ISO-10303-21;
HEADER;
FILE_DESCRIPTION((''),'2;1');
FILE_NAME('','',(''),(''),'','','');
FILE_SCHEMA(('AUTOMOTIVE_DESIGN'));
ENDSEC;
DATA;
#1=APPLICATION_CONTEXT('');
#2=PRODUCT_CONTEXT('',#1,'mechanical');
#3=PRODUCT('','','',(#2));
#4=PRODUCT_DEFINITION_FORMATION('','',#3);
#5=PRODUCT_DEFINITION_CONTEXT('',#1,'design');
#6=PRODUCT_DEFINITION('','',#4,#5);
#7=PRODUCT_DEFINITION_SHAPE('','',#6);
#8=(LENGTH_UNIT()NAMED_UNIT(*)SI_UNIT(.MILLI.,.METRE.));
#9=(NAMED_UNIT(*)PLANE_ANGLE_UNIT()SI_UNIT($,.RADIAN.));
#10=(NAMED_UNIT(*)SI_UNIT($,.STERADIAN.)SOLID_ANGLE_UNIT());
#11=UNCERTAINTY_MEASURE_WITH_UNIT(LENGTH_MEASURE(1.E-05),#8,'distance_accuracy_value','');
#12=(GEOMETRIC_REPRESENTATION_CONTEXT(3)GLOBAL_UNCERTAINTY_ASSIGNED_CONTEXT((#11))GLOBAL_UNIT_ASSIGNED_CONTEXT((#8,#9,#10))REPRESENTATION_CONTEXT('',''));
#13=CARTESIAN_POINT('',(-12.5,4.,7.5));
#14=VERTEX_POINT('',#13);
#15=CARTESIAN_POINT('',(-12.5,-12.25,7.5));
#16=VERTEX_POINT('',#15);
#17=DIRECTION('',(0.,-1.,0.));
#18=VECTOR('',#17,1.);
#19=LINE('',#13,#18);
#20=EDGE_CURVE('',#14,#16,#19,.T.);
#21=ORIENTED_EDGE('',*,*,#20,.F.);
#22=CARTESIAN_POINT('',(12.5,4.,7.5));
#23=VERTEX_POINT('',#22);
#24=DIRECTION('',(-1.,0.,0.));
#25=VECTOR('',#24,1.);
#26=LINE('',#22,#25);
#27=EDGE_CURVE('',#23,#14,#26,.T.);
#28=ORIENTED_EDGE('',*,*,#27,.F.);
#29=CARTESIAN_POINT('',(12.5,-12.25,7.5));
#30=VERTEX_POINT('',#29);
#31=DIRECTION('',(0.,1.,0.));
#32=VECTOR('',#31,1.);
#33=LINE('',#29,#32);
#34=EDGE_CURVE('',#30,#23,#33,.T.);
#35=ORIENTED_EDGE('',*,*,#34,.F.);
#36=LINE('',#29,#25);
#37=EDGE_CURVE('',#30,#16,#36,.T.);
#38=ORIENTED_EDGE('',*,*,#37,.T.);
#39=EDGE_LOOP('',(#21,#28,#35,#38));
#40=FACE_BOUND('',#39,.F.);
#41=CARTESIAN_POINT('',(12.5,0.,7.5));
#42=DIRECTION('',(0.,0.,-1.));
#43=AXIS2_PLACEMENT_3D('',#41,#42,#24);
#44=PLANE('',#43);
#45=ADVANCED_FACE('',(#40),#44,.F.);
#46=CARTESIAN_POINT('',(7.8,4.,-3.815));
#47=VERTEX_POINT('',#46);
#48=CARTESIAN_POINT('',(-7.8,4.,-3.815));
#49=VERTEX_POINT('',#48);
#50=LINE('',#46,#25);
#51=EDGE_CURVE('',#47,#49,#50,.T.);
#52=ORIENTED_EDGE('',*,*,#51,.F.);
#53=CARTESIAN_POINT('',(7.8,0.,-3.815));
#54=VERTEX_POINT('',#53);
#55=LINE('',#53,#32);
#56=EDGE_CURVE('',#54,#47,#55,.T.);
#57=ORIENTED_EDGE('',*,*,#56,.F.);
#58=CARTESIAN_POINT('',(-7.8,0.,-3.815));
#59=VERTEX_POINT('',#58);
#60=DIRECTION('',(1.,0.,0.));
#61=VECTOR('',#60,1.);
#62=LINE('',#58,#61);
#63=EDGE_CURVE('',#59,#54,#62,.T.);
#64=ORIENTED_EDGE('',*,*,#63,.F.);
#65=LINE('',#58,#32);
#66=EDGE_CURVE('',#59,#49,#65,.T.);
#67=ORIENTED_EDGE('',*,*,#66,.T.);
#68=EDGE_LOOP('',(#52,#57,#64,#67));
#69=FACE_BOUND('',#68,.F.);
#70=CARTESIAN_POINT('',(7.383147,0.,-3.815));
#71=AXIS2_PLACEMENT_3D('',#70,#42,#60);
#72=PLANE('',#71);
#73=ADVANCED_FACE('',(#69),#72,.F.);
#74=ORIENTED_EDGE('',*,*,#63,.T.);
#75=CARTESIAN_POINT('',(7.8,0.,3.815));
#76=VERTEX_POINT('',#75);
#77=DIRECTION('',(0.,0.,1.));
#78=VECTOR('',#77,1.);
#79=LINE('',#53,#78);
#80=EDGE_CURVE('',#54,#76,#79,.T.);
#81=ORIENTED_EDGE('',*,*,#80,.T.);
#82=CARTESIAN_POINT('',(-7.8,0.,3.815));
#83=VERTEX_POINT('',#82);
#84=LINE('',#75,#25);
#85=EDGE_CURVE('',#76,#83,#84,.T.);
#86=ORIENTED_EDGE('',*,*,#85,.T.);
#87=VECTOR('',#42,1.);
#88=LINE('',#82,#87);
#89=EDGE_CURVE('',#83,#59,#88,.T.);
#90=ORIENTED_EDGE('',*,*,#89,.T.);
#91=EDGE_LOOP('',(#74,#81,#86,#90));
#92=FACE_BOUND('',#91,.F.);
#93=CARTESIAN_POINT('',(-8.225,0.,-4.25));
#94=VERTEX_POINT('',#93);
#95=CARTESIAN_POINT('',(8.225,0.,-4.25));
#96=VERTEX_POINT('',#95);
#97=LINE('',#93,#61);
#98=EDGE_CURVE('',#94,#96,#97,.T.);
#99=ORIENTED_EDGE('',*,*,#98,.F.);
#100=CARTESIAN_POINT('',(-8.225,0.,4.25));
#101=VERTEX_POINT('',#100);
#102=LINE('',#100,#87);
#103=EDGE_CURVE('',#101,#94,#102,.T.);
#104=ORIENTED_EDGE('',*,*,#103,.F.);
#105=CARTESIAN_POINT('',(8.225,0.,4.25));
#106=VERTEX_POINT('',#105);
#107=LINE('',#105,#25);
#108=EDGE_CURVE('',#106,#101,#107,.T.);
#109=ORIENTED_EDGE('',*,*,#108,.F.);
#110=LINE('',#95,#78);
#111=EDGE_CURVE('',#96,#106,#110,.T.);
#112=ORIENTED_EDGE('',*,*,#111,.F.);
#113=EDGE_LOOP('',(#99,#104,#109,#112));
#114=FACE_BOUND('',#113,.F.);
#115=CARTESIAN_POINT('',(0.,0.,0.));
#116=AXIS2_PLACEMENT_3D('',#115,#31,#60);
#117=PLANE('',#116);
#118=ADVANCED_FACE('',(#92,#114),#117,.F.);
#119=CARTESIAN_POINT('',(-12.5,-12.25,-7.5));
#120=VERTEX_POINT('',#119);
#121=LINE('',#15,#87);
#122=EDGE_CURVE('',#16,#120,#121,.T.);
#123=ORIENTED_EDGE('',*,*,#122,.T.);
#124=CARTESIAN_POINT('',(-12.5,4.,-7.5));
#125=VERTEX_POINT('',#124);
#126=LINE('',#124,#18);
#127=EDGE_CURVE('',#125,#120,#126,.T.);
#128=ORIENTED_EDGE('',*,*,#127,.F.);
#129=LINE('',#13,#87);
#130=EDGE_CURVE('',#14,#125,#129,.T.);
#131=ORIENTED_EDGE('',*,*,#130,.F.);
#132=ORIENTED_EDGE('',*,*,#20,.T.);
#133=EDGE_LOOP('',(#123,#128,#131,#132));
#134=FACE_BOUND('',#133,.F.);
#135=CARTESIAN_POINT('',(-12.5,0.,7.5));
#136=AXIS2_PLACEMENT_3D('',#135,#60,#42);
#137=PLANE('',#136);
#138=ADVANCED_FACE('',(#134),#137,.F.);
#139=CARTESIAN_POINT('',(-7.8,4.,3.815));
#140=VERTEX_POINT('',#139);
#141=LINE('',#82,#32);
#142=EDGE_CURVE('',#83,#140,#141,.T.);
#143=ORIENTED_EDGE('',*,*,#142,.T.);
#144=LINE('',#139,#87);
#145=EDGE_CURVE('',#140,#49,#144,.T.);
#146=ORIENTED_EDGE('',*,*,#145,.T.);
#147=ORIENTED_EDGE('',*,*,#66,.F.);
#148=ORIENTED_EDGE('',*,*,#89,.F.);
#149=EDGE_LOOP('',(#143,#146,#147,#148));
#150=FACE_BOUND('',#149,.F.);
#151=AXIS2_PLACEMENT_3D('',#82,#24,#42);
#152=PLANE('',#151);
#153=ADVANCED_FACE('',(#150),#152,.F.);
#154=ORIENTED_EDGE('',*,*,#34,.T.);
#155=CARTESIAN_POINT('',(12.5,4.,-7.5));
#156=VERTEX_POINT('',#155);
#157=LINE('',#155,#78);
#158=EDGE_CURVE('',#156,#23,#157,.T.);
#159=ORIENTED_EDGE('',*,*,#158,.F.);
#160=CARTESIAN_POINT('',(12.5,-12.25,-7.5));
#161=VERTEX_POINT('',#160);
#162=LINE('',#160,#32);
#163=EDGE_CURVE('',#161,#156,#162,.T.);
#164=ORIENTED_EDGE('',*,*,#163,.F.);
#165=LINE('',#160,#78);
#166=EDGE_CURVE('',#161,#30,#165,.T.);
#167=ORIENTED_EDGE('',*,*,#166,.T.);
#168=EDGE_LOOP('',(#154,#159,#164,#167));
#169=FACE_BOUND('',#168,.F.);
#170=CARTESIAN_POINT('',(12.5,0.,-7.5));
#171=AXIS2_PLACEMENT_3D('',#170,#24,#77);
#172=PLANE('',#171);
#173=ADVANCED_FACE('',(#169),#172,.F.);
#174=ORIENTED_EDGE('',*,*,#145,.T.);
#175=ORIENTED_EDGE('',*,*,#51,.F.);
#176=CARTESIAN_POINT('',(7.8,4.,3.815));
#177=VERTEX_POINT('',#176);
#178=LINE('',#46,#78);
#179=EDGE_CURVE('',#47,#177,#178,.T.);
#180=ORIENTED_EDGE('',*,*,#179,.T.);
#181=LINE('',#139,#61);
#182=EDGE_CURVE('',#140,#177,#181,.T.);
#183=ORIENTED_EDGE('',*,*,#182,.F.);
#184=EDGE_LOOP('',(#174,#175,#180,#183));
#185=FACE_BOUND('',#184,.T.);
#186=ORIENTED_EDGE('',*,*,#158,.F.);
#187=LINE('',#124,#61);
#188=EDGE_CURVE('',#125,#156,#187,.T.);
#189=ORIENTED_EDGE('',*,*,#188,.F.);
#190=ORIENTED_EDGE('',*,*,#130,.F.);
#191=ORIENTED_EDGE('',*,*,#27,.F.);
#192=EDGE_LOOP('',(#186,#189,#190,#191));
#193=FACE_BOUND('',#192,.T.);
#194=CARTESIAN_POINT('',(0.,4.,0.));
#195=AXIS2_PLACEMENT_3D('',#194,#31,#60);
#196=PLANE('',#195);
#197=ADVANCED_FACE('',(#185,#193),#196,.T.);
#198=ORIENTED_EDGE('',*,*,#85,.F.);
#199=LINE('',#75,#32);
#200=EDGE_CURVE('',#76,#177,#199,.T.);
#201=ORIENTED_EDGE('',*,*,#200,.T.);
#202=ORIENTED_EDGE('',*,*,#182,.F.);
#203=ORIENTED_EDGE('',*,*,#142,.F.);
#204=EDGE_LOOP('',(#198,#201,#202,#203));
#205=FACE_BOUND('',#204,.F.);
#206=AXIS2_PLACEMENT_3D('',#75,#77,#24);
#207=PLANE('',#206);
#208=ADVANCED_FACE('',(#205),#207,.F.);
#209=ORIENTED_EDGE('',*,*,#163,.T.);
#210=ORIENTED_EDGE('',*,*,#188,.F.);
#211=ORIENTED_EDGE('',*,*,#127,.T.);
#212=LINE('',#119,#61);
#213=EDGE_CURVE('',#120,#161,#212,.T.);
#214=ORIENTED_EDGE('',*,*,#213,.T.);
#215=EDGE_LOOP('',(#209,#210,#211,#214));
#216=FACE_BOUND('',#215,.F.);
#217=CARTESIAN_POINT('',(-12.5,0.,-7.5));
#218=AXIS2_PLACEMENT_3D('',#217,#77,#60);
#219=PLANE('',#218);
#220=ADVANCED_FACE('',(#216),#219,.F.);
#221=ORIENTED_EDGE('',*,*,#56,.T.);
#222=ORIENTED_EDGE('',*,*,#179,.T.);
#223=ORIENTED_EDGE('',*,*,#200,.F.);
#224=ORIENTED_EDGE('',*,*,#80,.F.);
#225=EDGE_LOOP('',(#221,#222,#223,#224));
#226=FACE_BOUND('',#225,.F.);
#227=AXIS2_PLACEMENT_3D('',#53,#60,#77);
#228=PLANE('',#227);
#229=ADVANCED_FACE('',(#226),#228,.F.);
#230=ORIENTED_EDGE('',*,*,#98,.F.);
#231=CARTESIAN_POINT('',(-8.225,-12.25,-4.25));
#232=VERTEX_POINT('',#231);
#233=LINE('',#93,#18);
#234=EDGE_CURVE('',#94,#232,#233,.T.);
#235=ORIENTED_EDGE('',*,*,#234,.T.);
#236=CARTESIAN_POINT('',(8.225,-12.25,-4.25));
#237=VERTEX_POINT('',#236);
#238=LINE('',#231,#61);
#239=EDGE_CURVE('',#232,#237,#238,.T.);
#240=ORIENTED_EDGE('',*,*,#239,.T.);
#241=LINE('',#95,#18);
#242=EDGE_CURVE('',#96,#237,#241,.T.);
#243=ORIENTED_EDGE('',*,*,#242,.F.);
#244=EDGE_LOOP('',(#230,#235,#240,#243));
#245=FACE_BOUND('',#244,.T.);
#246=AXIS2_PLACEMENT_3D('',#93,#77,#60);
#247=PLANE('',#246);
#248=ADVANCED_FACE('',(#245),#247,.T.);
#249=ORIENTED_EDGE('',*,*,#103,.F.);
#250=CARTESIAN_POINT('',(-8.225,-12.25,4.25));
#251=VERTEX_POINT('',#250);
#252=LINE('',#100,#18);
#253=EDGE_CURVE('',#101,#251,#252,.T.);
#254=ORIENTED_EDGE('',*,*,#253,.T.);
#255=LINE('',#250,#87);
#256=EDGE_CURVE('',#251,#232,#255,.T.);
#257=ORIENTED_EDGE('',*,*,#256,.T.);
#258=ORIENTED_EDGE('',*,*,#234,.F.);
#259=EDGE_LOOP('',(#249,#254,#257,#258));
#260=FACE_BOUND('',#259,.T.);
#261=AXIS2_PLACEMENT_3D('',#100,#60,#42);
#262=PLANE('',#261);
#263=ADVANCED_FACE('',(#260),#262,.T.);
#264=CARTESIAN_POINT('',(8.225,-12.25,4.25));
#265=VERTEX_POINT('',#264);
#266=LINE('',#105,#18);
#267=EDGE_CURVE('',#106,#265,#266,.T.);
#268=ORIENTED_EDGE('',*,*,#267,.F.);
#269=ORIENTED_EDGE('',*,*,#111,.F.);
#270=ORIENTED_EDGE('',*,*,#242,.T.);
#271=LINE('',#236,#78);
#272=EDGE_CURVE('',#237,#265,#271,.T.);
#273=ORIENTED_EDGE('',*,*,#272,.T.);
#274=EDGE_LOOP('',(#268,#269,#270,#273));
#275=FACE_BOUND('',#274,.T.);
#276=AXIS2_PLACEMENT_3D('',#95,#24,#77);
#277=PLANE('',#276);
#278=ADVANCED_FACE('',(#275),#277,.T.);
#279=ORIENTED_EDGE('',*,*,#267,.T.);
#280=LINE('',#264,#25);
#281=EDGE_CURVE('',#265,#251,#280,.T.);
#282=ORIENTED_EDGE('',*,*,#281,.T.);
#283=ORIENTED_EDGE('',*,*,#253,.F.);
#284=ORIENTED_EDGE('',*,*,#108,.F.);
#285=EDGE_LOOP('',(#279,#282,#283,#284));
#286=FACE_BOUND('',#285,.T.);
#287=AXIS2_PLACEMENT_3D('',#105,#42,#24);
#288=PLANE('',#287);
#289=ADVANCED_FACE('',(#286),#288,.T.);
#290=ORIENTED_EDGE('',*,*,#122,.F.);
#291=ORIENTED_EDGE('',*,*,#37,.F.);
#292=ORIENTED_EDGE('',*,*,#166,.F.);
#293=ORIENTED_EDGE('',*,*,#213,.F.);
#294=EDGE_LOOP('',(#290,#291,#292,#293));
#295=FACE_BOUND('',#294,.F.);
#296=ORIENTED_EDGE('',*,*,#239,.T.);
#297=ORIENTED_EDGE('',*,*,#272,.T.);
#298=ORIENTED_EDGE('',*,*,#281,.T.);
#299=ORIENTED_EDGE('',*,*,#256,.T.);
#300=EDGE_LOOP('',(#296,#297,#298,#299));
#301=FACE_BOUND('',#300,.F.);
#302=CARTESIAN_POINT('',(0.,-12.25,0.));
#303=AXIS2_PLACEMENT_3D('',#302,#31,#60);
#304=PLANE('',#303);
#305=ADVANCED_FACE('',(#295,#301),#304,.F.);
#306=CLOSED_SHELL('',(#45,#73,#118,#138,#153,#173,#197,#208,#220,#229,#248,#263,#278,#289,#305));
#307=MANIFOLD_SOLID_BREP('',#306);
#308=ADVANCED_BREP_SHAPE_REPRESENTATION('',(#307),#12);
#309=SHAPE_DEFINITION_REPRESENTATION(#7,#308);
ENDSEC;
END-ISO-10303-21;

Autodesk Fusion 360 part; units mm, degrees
sketch "Sketch1" plane through (0, 0, 0) normal (0, 1, 0) x (1, 0, 0)
  line L0 (7.8, -3.815) -> (-7.8, -3.815)
  line L1 (-7.8, -3.815) -> (-7.8, 3.815)
  line L2 (-7.8, 3.815) -> (7.8, 3.815)
  line L3 (7.8, 3.815) -> (7.8, -3.815)
  line L4 (7.8, -3.815) -> (-7.8, 3.815) construction
  line L5 (-7.8, -3.815) -> (7.8, 3.815) construction
  line L6 (8.225, -4.25) -> (-8.225, -4.25)
  line L7 (-8.225, -4.25) -> (-8.225, 4.25)
  line L8 (-8.225, 4.25) -> (8.225, 4.25)
  line L9 (8.225, 4.25) -> (8.225, -4.25)
  line L10 (8.225, -4.25) -> (-8.225, 4.25) construction
  line L11 (-8.225, -4.25) -> (8.225, 4.25)
  line L12 (12.5, -7.5) -> (-12.5, -7.5)
  line L13 (-12.5, -7.5) -> (-12.5, 7.5)
  line L14 (-12.5, 7.5) -> (12.5, 7.5)
  line L15 (12.5, 7.5) -> (12.5, -7.5)
  line L16 (12.5, -7.5) -> (-12.5, 7.5) construction
  line L17 (-12.5, -7.5) -> (12.5, 7.5) construction
  dimension "d1" = 15.6
  dimension "d2" = 7.63
  dimension "d3" = 16.45
  dimension "d4" = 8.5
  dimension "d5" = 25
  dimension "d6" = 15
extrude "Extrude1" add sketch "Sketch1" against normal blind 12.25 makes body 1
extrude "Extrude2" add sketch "Sketch1" along normal blind 4 contours L0 L2 L3 L6 L9 L11 | L0 L1 L2 L7 L8 L11 | L12 L13 L14 L15 bodies 1
copy_body "Body->Comp1" bodies 1 removing the originals makes body 2 in component "PairHolder"
component "PairHolder" placed x (1, 0, 0) y (0, 1, 0) z (0, 0, 1) at (0, 0, 0)
